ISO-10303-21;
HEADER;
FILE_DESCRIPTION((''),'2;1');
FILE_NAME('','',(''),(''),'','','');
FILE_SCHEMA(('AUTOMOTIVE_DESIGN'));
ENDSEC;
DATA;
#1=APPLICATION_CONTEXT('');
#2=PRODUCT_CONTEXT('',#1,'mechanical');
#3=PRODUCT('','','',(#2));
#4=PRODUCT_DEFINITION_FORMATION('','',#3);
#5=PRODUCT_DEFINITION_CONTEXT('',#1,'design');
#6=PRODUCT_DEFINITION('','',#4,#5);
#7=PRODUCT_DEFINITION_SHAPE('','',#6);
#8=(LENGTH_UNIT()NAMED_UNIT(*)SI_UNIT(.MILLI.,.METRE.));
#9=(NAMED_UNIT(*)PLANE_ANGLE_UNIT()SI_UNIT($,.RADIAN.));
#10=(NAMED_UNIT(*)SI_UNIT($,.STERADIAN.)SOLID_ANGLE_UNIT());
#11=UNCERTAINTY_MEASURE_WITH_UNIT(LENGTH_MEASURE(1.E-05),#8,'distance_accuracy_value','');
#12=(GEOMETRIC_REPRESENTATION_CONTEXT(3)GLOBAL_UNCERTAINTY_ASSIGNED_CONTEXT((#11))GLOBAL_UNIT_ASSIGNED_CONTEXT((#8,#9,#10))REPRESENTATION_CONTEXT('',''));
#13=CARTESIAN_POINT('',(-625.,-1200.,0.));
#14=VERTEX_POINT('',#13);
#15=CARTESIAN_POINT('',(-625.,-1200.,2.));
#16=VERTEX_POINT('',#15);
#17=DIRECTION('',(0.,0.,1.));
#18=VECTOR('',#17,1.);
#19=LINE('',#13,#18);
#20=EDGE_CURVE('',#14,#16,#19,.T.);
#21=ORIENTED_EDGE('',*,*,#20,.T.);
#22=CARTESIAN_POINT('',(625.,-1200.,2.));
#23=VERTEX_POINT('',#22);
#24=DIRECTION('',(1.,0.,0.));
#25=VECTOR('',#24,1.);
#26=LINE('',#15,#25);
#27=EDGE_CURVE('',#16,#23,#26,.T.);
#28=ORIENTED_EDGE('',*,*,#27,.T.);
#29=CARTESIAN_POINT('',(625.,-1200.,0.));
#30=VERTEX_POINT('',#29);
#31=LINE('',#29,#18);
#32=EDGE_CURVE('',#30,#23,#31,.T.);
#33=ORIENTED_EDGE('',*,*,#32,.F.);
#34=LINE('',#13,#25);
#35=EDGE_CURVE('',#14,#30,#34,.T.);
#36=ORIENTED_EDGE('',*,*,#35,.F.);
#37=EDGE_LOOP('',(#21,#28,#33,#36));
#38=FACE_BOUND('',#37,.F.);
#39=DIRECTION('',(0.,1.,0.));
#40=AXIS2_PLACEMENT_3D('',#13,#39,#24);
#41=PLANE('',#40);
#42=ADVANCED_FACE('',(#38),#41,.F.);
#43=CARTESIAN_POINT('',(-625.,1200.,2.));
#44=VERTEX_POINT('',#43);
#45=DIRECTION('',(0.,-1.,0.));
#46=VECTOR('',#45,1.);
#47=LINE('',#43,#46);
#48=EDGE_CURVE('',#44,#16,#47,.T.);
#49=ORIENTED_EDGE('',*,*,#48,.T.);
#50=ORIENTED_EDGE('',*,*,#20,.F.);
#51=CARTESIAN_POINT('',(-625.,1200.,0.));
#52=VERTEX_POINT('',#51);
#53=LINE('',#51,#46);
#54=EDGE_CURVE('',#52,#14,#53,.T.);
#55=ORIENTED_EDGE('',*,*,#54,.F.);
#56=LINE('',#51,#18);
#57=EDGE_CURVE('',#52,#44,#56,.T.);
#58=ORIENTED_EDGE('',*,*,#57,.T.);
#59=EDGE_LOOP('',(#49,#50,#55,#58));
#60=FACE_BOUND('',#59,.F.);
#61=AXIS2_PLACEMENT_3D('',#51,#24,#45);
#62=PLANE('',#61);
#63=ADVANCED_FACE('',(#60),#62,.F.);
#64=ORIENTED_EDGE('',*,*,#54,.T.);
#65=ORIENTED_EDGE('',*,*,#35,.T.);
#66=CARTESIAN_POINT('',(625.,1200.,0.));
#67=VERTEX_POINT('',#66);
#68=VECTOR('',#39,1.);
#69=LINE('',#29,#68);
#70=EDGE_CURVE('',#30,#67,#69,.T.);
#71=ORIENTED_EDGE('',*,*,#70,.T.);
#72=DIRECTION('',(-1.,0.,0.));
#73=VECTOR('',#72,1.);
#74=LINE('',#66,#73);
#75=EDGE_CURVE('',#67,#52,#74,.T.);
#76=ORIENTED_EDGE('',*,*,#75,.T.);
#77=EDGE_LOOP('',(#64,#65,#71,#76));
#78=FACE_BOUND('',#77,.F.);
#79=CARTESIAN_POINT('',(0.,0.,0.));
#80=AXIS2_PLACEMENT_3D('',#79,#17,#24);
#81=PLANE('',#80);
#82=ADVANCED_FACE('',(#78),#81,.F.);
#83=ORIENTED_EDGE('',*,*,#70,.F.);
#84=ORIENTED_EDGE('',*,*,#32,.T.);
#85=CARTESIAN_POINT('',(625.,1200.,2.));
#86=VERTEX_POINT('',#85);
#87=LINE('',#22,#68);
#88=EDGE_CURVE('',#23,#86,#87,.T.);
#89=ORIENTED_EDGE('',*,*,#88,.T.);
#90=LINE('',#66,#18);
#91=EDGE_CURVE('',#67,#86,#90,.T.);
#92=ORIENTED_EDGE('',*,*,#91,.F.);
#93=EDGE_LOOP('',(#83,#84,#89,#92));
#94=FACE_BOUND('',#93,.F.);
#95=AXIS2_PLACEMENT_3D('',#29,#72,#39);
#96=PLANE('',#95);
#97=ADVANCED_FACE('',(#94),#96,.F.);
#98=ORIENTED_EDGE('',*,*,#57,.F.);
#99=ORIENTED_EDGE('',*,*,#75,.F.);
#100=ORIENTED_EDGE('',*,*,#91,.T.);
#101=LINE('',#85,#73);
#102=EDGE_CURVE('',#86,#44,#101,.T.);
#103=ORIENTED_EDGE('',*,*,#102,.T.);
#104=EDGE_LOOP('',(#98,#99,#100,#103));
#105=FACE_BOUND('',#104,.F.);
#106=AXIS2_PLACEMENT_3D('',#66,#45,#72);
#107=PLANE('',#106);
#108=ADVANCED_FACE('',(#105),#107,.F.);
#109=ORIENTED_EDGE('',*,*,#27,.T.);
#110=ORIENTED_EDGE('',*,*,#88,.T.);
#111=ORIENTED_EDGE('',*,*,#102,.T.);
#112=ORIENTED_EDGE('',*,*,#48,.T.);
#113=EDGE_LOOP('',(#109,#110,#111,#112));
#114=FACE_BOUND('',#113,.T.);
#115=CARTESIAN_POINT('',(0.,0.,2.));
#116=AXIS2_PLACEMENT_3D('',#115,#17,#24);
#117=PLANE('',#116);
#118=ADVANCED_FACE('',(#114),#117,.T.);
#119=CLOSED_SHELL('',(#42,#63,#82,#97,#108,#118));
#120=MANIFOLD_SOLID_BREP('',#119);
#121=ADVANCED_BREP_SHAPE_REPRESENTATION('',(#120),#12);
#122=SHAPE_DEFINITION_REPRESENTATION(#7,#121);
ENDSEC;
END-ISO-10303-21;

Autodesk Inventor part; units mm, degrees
ref_plane "YZ Plane" through (0, 0, 0) normal (1, 0, 0) x (0, 1, 0)
ref_plane "XZ Plane" through (0, 0, 0) normal (0, 1, 0) x (-1, 0, 0)
ref_plane "XY Plane" through (0, 0, 0) normal (0, 0, 1) x (1, 0, 0)
sketch "Sketch1" plane through (0, 0, 0) normal (0, 0, 1) x (1, 0, 0)
  line L0 (-625, -1200) -> (625, -1200)
  line L1 (625, -1200) -> (625, 1200)
  line L2 (625, 1200) -> (-625, 1200)
  line L3 (-625, 1200) -> (-625, -1200)
  line L4 (-625, -1200) -> (625, 1200) construction
  line L5 (625, -1200) -> (-625, 1200) construction
  point P0 (0, 0)
  dimension "d154" = 1250
  dimension "d155" = 2400
extrude "Plate5" add sketch "Sketch1" along normal blind 2
properties part number "Sheet Metal all th" material "Stainless Steel"
